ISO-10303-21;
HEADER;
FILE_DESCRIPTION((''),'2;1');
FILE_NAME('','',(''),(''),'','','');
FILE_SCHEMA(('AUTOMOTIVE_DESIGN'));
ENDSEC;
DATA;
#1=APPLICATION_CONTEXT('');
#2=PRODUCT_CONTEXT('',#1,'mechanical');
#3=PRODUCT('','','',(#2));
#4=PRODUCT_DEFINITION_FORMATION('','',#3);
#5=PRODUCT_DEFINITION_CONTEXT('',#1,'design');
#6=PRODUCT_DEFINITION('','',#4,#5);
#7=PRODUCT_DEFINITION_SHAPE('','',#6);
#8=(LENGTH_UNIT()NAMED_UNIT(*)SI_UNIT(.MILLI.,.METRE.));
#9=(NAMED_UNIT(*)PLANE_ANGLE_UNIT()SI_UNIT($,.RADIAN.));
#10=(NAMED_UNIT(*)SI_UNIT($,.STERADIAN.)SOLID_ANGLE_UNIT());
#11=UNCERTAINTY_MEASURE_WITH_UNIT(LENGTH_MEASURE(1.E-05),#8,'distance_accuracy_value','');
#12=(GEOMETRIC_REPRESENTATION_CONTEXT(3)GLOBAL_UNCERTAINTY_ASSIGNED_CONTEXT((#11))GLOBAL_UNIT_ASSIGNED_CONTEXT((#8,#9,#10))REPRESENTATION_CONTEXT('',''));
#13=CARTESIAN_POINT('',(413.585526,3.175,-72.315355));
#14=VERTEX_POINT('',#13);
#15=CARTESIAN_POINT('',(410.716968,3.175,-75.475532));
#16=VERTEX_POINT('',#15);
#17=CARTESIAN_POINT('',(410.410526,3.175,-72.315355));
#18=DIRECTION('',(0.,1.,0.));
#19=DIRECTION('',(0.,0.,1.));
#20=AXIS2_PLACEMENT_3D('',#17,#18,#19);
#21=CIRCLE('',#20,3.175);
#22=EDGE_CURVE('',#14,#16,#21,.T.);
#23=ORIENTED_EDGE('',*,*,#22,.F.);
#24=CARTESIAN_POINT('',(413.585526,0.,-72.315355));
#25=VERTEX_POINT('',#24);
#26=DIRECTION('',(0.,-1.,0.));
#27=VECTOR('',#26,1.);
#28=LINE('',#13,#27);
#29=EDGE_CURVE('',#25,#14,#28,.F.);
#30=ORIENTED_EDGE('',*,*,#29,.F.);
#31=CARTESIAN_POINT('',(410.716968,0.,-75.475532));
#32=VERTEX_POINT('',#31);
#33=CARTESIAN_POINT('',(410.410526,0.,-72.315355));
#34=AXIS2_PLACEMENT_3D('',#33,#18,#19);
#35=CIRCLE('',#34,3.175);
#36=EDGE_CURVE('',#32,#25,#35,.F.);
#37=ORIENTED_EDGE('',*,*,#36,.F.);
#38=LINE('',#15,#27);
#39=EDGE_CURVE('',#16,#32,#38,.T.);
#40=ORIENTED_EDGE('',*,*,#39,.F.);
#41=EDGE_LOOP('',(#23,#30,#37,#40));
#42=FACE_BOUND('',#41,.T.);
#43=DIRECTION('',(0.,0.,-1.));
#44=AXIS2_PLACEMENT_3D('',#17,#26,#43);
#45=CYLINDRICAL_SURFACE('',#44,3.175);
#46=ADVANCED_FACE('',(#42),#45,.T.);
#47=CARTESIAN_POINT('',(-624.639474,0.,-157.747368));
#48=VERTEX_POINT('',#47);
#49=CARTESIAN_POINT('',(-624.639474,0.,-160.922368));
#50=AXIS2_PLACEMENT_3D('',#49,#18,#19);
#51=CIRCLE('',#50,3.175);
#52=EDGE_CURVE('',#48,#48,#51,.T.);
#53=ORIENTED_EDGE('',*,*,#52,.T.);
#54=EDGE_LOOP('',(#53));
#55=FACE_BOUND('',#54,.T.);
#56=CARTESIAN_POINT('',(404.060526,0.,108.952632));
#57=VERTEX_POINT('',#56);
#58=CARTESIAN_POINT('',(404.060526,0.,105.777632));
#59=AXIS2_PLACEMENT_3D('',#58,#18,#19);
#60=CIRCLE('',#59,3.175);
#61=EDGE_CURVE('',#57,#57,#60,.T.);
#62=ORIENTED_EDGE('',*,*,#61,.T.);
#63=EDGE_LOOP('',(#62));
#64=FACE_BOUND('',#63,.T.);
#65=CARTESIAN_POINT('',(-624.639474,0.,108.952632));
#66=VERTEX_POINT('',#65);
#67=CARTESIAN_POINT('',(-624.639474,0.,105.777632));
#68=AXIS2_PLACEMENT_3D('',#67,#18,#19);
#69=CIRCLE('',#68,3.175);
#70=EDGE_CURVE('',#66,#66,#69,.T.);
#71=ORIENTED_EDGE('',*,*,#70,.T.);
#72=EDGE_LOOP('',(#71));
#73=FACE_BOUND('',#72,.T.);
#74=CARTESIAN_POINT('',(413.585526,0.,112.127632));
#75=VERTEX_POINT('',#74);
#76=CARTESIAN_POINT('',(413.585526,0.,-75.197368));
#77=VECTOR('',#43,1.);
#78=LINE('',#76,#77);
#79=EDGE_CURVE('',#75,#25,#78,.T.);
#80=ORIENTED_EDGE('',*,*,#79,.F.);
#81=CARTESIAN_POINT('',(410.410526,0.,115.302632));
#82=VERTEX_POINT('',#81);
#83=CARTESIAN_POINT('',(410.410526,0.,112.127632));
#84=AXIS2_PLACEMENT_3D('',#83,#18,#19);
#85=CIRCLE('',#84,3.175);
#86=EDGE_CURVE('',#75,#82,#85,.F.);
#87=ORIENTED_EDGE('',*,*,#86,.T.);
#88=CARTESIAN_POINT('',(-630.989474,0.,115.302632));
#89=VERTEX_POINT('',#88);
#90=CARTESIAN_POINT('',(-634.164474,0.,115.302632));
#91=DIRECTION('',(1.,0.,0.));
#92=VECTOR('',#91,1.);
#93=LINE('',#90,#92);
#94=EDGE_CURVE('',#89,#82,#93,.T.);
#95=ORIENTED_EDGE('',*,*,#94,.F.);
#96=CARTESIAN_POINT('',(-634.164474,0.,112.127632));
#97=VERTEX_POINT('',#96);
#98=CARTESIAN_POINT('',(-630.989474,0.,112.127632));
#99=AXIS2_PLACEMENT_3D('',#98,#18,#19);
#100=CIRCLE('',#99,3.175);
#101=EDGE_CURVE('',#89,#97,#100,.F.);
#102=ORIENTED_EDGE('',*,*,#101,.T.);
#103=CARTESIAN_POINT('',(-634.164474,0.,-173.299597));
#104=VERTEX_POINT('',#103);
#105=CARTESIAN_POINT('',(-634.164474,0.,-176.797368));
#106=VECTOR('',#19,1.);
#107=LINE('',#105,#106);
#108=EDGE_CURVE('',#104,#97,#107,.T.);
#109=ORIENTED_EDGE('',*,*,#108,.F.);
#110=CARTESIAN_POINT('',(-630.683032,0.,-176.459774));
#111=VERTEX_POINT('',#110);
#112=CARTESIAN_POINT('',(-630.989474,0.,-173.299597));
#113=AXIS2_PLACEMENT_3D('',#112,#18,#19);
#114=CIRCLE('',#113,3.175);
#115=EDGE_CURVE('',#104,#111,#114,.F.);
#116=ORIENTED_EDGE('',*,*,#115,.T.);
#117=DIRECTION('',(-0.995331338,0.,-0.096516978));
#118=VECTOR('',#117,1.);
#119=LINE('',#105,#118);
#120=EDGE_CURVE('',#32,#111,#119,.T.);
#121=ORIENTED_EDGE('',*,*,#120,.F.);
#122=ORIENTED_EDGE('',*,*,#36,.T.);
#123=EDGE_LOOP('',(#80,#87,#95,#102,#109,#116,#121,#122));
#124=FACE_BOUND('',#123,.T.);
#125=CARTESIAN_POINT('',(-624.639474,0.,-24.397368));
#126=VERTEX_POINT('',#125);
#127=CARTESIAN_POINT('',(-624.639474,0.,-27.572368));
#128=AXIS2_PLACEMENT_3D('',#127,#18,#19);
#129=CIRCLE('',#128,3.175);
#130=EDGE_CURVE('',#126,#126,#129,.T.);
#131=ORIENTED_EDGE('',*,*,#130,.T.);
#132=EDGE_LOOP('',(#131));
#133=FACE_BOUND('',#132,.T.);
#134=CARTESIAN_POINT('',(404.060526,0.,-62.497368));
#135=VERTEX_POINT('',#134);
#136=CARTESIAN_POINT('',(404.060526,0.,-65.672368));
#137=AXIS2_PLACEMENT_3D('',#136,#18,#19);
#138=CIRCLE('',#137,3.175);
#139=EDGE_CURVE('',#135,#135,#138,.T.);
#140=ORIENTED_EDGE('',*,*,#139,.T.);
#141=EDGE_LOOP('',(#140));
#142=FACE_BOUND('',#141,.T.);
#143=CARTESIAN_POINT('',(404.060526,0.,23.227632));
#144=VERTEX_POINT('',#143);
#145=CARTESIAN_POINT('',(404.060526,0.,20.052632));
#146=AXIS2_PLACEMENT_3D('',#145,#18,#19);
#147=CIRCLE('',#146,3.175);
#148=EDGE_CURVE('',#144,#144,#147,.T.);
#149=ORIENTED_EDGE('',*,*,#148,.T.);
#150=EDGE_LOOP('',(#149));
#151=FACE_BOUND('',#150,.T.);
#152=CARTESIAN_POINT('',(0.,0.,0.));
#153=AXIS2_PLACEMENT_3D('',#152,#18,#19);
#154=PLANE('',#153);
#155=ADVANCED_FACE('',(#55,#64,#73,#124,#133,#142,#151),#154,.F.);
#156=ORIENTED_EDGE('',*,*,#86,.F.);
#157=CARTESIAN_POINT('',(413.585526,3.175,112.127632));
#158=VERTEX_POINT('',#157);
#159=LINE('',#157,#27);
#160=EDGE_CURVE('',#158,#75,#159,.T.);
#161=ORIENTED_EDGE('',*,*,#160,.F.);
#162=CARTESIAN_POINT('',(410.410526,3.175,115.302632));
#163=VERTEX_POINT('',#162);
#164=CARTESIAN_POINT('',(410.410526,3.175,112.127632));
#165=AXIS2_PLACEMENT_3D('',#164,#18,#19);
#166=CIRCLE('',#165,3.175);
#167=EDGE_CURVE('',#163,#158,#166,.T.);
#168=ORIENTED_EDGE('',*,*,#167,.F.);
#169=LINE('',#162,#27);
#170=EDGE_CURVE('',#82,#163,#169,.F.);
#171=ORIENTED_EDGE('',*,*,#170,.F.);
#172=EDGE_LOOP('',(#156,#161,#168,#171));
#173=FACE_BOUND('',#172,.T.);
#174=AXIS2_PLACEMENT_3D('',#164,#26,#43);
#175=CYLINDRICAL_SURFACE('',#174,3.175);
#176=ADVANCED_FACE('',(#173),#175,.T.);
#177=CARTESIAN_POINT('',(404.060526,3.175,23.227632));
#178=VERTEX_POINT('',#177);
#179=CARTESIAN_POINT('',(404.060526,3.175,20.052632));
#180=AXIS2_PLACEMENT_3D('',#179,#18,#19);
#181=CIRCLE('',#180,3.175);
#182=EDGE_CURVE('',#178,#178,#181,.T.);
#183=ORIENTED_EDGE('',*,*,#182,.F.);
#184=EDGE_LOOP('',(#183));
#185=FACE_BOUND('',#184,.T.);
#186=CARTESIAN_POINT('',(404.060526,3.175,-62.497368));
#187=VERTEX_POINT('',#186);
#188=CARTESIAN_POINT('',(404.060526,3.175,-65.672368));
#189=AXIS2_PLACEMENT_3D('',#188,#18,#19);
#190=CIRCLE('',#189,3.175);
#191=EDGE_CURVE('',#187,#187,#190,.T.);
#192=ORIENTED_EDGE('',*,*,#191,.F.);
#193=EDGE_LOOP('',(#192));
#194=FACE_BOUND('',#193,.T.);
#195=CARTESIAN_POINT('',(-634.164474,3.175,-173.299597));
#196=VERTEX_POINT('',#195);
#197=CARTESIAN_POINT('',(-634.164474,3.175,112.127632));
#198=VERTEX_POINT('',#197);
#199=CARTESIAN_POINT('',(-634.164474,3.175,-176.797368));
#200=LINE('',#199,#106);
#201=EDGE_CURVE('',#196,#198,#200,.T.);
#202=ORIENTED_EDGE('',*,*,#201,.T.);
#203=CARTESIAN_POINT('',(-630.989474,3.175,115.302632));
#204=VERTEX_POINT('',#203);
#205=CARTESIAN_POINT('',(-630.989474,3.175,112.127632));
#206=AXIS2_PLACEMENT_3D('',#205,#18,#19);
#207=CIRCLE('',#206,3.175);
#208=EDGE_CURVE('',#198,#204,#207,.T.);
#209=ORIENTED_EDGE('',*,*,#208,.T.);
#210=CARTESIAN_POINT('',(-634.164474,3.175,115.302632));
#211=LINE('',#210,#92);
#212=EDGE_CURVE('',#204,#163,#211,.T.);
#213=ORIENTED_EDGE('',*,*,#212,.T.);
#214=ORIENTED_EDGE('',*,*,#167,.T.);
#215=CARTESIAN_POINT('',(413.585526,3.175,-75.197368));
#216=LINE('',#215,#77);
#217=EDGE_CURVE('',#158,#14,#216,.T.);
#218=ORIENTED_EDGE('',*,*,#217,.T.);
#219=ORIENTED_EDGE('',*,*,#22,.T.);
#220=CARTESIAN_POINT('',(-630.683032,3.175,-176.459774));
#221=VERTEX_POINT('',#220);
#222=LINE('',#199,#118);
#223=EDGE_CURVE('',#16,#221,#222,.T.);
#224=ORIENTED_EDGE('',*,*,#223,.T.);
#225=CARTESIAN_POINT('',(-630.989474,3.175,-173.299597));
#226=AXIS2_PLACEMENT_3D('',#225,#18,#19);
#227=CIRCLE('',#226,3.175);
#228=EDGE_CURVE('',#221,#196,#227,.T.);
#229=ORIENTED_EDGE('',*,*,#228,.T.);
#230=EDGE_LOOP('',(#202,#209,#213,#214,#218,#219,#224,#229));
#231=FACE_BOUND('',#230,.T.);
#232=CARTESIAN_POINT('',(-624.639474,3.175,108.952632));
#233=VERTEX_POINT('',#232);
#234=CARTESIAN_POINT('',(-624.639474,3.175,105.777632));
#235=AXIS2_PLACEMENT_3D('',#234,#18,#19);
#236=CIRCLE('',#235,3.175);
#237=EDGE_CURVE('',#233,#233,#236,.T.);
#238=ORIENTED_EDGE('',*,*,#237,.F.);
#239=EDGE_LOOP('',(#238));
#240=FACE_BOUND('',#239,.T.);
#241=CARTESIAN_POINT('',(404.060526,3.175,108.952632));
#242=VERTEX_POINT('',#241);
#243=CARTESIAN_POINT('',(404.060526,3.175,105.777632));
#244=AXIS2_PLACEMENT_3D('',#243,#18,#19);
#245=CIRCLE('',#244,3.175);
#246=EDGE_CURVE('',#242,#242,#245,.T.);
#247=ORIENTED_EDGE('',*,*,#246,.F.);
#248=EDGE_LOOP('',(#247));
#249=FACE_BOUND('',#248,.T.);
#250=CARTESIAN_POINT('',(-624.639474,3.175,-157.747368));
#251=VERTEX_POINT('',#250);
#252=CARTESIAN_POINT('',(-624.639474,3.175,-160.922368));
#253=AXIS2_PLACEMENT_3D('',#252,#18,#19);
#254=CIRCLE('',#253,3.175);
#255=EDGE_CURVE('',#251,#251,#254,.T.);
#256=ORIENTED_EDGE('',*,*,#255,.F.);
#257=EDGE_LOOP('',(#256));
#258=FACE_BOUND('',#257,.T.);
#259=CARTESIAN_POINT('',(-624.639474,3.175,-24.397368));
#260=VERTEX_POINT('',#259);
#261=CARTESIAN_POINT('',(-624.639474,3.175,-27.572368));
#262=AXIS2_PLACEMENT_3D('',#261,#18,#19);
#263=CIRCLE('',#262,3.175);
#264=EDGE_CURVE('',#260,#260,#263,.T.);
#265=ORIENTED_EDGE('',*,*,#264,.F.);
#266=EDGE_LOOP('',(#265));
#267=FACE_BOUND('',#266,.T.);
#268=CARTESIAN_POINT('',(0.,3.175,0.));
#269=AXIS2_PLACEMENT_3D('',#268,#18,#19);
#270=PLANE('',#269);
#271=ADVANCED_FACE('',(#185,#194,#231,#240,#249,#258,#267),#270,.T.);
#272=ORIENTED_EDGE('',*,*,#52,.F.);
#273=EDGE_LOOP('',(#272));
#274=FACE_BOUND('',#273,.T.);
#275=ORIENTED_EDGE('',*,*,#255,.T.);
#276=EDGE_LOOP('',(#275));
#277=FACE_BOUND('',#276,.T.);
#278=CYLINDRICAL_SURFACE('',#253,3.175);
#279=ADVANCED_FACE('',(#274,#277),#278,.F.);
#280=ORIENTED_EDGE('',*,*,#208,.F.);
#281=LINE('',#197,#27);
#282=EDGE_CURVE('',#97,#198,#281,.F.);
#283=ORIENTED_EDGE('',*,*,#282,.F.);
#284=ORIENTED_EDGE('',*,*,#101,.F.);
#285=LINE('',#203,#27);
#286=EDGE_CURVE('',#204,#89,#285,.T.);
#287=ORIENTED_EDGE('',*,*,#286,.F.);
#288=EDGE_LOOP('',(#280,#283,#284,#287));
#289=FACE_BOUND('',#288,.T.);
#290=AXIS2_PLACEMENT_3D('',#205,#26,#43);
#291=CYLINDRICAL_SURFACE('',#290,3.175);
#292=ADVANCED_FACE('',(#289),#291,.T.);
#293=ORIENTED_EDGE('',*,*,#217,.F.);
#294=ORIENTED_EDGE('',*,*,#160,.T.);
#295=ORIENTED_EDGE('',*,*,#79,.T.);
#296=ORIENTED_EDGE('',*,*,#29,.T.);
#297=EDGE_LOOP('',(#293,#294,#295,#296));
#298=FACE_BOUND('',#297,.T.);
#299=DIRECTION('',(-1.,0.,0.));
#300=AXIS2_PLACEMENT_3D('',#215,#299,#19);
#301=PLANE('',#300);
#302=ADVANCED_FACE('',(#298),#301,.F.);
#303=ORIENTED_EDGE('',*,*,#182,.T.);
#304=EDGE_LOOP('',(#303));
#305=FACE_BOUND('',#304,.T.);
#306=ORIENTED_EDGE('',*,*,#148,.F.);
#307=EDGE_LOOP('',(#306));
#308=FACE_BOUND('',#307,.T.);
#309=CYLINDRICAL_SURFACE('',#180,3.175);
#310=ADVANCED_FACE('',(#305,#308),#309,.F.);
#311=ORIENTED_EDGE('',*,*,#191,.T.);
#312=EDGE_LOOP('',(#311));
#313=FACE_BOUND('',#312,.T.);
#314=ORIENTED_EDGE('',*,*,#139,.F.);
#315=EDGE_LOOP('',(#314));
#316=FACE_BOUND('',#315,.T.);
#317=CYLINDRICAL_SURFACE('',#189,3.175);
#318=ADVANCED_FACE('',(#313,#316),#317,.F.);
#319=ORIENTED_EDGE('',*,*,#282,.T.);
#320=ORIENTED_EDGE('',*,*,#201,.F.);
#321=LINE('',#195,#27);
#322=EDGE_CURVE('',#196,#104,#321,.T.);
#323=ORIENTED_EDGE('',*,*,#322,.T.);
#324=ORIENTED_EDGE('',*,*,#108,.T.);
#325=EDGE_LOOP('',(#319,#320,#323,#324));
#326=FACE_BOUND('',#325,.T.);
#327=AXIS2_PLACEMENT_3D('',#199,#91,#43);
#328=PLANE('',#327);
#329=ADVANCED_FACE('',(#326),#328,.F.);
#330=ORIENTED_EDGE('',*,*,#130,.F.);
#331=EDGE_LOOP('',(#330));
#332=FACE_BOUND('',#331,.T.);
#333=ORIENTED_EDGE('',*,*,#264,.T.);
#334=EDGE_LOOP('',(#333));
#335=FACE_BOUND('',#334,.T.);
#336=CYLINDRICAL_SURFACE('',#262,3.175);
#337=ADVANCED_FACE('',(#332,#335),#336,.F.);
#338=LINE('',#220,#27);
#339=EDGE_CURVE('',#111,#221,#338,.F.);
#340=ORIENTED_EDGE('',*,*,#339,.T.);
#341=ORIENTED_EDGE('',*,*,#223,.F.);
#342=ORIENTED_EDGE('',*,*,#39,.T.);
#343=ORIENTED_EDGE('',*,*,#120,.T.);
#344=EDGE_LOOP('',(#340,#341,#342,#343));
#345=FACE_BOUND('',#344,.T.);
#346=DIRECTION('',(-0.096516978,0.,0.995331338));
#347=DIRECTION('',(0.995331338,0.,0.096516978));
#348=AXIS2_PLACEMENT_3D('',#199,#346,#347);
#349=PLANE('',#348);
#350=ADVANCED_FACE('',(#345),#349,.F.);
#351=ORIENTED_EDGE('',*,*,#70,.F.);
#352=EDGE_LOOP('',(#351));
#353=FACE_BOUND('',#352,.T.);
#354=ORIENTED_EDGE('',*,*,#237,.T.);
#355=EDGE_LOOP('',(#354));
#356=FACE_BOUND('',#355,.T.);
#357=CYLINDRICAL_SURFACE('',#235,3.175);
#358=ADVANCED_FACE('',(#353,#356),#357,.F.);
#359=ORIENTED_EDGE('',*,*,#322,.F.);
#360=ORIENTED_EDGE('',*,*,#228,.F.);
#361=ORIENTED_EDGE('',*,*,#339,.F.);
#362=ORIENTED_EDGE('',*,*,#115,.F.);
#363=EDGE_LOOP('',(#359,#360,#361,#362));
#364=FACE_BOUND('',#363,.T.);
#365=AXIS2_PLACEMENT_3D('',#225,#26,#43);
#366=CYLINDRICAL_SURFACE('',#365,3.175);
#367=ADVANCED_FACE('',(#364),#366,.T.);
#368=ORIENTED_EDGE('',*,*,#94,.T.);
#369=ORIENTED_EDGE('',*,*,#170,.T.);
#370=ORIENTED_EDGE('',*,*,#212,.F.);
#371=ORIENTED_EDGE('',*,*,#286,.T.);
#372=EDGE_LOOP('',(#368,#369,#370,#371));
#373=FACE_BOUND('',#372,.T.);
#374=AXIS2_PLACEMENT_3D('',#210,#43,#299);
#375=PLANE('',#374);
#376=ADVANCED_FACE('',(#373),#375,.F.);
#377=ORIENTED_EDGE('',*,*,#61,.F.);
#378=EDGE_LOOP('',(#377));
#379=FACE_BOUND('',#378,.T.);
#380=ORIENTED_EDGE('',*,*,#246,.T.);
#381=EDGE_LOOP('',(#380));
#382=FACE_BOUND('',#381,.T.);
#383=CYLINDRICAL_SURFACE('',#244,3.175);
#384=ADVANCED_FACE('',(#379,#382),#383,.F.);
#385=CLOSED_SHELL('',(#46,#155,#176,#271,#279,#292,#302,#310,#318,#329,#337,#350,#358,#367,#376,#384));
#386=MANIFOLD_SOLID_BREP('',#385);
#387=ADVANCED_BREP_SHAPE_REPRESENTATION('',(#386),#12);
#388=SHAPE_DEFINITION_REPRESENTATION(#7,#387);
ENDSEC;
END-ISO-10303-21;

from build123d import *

# Parameters (mm, degrees)
BOSS_EXTRUDE1_DEPTH         = 3.175
FILLET1_R                   = 3.175
F_1_4_0_25_DIAMETER_HOLE1_D = 6.35


with BuildPart() as part:
    # Sketch1 → Boss-Extrude1 (new body)
    with BuildSketch(Plane(origin=(0, 0, 0), x_dir=(1, 0, 0), z_dir=(0, 1, 0))):
        Polygon((-634.164473684, 176.797368421), (413.585526316, 75.197368421), (413.585526316, -115.302631579), (-634.164473684, -115.302631579), align=None)
    extrude(amount=BOSS_EXTRUDE1_DEPTH)

    # Fillet1
    fillet1_edges = [part.edges().sort_by_distance(p)[0] for p in [
        (413.585526316, 1.5875, 115.302631579),
        (-634.164473684, 1.5875, 115.302631579),
        (-634.164473684, 1.5875, -176.797368421),
        (413.585526316, 1.5875, -75.197368421),
    ]]
    fillet(fillet1_edges, radius=FILLET1_R)

    # 1/4 (0.25) Diameter Hole1 (through all)
    with Locations(Plane(origin=(0, 3.175, 0), x_dir=(1, 0, 0), z_dir=(0, 1, 0))):
        with Locations((404.060526316, 65.672368421), (404.060526316, -20.052631579), (404.060526316, -105.777631579), (-624.639473684, -105.777631579), (-624.639473684, 27.572368421), (-624.639473684, 160.922368421)):
            Hole(F_1_4_0_25_DIAMETER_HOLE1_D / 2)


solid = part.part
